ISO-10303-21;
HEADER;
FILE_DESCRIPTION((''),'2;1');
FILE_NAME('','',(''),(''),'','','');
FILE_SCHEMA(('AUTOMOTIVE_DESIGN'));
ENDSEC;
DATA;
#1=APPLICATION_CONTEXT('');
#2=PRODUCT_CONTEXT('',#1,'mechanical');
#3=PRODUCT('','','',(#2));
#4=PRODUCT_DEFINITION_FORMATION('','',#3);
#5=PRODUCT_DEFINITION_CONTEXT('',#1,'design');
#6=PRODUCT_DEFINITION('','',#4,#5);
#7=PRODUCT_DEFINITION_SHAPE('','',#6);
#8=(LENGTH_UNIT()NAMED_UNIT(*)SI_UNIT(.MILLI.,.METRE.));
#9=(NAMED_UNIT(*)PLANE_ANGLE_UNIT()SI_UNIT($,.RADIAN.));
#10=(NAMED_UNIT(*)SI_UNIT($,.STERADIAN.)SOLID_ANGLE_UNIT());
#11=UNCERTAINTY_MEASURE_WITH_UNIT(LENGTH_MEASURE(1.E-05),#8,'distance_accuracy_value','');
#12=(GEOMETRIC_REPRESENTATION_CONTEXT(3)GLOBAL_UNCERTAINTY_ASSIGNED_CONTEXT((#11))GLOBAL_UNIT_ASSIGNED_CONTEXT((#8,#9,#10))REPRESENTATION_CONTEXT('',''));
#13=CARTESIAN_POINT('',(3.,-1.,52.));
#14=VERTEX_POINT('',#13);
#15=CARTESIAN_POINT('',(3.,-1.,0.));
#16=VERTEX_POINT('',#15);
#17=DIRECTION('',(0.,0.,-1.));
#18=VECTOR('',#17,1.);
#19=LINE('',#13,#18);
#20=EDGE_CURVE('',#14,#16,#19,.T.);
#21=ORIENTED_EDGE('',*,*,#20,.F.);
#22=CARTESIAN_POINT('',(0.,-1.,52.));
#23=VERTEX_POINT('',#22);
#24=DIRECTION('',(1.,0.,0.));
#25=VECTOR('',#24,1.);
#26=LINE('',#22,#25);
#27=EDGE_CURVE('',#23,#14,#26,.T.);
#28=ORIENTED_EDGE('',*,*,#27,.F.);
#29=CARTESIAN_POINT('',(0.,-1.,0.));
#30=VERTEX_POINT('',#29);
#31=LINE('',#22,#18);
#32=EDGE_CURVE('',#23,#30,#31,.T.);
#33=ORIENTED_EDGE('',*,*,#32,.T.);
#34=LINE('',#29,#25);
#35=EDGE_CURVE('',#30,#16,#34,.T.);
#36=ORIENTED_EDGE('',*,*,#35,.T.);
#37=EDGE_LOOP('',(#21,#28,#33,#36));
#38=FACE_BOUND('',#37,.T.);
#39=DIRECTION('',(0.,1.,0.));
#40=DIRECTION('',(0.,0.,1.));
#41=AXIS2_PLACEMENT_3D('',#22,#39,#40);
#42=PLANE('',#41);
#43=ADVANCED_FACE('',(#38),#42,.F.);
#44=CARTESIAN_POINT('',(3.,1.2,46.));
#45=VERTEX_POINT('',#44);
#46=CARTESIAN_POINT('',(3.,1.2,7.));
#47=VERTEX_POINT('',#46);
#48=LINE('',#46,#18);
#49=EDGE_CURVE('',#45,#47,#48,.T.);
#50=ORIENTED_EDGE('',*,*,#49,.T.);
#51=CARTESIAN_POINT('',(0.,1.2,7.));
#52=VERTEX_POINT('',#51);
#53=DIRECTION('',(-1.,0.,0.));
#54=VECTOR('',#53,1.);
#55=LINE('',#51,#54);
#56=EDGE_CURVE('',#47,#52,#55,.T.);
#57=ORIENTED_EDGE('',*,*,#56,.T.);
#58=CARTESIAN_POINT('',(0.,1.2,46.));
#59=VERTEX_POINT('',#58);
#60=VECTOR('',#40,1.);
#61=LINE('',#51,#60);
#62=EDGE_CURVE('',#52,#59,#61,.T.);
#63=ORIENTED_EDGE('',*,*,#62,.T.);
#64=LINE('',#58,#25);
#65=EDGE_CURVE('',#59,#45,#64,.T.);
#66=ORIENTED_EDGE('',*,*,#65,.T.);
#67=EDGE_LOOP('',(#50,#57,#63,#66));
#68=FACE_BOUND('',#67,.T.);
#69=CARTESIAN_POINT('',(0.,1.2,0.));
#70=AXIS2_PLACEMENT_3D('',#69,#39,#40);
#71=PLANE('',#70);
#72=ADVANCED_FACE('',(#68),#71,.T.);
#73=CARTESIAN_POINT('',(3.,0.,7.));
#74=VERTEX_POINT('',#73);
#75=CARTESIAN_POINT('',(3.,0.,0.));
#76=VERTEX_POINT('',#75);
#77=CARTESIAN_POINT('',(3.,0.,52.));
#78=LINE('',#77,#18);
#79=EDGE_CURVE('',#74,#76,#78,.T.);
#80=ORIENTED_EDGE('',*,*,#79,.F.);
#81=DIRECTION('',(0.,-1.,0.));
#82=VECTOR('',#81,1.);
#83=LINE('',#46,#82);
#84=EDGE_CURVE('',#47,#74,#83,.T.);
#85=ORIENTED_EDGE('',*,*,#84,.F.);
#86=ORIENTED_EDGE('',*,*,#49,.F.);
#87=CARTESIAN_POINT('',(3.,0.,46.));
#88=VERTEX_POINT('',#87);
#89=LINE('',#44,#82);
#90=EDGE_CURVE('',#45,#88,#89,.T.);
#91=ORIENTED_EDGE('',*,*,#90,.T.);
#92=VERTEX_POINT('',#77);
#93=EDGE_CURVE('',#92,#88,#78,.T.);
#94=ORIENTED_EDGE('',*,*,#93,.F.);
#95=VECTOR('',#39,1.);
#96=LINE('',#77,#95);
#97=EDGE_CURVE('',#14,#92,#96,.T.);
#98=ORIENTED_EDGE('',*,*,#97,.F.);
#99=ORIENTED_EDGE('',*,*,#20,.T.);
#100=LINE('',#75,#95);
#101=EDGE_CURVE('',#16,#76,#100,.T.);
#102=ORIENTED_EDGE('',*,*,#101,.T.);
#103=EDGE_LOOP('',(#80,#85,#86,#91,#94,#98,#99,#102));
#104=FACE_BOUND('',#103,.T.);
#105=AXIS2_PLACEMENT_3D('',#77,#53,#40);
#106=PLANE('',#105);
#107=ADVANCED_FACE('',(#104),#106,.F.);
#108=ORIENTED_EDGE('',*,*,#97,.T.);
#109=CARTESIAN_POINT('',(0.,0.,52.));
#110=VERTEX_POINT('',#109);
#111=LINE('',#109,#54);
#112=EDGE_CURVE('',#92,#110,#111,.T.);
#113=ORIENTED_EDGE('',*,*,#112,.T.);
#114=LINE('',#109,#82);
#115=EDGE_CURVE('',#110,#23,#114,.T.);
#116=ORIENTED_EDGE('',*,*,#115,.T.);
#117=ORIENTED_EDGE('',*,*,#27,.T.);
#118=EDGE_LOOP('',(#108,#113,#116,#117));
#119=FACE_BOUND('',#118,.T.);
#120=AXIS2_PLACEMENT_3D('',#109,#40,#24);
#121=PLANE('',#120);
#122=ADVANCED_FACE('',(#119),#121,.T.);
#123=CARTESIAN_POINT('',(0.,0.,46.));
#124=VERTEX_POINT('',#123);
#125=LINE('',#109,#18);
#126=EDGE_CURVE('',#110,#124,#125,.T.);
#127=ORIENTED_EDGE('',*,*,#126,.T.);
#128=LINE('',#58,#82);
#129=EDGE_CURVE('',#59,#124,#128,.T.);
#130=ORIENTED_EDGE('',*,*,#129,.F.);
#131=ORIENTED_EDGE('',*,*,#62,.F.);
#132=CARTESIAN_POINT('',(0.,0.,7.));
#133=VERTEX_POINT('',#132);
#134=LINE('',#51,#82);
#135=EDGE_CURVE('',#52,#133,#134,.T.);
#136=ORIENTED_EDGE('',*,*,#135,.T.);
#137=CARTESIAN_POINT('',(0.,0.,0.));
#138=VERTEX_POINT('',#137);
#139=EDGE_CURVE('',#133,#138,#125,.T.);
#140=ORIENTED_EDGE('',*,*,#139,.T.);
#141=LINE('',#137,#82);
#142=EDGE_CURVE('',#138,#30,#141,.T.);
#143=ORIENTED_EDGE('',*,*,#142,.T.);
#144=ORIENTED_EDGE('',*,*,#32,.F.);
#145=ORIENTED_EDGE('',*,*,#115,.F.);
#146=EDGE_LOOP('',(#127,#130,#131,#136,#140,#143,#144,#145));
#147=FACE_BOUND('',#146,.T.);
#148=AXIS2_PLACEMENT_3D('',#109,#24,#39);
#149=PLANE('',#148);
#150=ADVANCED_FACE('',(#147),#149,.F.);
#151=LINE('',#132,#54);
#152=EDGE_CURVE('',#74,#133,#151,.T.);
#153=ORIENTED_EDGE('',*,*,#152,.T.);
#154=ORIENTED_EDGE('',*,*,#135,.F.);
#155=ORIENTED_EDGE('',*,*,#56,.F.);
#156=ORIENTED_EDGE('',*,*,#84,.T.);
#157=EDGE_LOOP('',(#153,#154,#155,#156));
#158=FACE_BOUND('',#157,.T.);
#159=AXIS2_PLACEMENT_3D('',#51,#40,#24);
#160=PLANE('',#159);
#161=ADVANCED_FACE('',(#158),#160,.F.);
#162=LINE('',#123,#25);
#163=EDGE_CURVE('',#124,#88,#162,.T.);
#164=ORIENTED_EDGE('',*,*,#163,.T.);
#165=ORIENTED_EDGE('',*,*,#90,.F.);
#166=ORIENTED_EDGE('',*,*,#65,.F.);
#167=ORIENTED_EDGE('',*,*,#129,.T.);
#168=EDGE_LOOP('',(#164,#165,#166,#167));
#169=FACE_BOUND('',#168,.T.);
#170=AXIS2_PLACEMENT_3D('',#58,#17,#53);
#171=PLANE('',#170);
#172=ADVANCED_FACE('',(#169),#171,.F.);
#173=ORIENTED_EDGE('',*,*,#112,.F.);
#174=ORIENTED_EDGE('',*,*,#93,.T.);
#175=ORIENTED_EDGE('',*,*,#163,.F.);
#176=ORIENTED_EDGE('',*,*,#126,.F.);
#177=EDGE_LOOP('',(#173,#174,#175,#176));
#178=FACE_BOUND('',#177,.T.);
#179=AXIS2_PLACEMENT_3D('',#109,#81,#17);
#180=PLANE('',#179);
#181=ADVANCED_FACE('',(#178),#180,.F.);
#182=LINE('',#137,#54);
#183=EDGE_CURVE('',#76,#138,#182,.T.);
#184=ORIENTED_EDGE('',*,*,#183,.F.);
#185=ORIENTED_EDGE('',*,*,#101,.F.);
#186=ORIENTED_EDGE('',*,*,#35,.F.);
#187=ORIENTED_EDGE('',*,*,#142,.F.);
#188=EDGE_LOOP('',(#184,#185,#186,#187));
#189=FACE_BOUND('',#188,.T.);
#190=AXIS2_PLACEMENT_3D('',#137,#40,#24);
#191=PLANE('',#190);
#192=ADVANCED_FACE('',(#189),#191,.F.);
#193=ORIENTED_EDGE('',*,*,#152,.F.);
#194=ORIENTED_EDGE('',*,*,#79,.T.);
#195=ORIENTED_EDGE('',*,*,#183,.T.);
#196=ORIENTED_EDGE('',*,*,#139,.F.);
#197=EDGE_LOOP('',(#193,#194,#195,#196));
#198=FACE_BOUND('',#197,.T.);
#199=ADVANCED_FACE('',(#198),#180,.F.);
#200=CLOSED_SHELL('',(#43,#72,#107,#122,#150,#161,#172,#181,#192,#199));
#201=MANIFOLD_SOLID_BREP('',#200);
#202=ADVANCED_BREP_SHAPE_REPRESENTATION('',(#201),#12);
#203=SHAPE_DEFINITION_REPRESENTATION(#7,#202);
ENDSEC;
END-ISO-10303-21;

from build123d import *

# Parameters (mm, degrees)
ESQUISSE1_W        = 3
ESQUISSE1_H        = 1
BOSS_EXTRU_1_DEPTH = 52
ESQUISSE2_W        = 3
ESQUISSE2_H        = 39
BOSS_EXTRU_2_DEPTH = 1.2


with BuildPart() as part:
    # Esquisse1 → Boss.-Extru.1 (new body)
    with BuildSketch(Plane.XY):
        with Locations((1.5, -0.5)):
            Rectangle(ESQUISSE1_W, ESQUISSE1_H)
    extrude(amount=BOSS_EXTRU_1_DEPTH)

    # Esquisse2 → Boss.-Extru.2 (add)
    with BuildSketch(Plane(origin=(0, 0, 0), x_dir=(1, 0, 0), z_dir=(0, 1, 0))):
        with Locations((1.5, -26.5)):
            Rectangle(ESQUISSE2_W, ESQUISSE2_H)
    extrude(amount=BOSS_EXTRU_2_DEPTH)


solid = part.part
